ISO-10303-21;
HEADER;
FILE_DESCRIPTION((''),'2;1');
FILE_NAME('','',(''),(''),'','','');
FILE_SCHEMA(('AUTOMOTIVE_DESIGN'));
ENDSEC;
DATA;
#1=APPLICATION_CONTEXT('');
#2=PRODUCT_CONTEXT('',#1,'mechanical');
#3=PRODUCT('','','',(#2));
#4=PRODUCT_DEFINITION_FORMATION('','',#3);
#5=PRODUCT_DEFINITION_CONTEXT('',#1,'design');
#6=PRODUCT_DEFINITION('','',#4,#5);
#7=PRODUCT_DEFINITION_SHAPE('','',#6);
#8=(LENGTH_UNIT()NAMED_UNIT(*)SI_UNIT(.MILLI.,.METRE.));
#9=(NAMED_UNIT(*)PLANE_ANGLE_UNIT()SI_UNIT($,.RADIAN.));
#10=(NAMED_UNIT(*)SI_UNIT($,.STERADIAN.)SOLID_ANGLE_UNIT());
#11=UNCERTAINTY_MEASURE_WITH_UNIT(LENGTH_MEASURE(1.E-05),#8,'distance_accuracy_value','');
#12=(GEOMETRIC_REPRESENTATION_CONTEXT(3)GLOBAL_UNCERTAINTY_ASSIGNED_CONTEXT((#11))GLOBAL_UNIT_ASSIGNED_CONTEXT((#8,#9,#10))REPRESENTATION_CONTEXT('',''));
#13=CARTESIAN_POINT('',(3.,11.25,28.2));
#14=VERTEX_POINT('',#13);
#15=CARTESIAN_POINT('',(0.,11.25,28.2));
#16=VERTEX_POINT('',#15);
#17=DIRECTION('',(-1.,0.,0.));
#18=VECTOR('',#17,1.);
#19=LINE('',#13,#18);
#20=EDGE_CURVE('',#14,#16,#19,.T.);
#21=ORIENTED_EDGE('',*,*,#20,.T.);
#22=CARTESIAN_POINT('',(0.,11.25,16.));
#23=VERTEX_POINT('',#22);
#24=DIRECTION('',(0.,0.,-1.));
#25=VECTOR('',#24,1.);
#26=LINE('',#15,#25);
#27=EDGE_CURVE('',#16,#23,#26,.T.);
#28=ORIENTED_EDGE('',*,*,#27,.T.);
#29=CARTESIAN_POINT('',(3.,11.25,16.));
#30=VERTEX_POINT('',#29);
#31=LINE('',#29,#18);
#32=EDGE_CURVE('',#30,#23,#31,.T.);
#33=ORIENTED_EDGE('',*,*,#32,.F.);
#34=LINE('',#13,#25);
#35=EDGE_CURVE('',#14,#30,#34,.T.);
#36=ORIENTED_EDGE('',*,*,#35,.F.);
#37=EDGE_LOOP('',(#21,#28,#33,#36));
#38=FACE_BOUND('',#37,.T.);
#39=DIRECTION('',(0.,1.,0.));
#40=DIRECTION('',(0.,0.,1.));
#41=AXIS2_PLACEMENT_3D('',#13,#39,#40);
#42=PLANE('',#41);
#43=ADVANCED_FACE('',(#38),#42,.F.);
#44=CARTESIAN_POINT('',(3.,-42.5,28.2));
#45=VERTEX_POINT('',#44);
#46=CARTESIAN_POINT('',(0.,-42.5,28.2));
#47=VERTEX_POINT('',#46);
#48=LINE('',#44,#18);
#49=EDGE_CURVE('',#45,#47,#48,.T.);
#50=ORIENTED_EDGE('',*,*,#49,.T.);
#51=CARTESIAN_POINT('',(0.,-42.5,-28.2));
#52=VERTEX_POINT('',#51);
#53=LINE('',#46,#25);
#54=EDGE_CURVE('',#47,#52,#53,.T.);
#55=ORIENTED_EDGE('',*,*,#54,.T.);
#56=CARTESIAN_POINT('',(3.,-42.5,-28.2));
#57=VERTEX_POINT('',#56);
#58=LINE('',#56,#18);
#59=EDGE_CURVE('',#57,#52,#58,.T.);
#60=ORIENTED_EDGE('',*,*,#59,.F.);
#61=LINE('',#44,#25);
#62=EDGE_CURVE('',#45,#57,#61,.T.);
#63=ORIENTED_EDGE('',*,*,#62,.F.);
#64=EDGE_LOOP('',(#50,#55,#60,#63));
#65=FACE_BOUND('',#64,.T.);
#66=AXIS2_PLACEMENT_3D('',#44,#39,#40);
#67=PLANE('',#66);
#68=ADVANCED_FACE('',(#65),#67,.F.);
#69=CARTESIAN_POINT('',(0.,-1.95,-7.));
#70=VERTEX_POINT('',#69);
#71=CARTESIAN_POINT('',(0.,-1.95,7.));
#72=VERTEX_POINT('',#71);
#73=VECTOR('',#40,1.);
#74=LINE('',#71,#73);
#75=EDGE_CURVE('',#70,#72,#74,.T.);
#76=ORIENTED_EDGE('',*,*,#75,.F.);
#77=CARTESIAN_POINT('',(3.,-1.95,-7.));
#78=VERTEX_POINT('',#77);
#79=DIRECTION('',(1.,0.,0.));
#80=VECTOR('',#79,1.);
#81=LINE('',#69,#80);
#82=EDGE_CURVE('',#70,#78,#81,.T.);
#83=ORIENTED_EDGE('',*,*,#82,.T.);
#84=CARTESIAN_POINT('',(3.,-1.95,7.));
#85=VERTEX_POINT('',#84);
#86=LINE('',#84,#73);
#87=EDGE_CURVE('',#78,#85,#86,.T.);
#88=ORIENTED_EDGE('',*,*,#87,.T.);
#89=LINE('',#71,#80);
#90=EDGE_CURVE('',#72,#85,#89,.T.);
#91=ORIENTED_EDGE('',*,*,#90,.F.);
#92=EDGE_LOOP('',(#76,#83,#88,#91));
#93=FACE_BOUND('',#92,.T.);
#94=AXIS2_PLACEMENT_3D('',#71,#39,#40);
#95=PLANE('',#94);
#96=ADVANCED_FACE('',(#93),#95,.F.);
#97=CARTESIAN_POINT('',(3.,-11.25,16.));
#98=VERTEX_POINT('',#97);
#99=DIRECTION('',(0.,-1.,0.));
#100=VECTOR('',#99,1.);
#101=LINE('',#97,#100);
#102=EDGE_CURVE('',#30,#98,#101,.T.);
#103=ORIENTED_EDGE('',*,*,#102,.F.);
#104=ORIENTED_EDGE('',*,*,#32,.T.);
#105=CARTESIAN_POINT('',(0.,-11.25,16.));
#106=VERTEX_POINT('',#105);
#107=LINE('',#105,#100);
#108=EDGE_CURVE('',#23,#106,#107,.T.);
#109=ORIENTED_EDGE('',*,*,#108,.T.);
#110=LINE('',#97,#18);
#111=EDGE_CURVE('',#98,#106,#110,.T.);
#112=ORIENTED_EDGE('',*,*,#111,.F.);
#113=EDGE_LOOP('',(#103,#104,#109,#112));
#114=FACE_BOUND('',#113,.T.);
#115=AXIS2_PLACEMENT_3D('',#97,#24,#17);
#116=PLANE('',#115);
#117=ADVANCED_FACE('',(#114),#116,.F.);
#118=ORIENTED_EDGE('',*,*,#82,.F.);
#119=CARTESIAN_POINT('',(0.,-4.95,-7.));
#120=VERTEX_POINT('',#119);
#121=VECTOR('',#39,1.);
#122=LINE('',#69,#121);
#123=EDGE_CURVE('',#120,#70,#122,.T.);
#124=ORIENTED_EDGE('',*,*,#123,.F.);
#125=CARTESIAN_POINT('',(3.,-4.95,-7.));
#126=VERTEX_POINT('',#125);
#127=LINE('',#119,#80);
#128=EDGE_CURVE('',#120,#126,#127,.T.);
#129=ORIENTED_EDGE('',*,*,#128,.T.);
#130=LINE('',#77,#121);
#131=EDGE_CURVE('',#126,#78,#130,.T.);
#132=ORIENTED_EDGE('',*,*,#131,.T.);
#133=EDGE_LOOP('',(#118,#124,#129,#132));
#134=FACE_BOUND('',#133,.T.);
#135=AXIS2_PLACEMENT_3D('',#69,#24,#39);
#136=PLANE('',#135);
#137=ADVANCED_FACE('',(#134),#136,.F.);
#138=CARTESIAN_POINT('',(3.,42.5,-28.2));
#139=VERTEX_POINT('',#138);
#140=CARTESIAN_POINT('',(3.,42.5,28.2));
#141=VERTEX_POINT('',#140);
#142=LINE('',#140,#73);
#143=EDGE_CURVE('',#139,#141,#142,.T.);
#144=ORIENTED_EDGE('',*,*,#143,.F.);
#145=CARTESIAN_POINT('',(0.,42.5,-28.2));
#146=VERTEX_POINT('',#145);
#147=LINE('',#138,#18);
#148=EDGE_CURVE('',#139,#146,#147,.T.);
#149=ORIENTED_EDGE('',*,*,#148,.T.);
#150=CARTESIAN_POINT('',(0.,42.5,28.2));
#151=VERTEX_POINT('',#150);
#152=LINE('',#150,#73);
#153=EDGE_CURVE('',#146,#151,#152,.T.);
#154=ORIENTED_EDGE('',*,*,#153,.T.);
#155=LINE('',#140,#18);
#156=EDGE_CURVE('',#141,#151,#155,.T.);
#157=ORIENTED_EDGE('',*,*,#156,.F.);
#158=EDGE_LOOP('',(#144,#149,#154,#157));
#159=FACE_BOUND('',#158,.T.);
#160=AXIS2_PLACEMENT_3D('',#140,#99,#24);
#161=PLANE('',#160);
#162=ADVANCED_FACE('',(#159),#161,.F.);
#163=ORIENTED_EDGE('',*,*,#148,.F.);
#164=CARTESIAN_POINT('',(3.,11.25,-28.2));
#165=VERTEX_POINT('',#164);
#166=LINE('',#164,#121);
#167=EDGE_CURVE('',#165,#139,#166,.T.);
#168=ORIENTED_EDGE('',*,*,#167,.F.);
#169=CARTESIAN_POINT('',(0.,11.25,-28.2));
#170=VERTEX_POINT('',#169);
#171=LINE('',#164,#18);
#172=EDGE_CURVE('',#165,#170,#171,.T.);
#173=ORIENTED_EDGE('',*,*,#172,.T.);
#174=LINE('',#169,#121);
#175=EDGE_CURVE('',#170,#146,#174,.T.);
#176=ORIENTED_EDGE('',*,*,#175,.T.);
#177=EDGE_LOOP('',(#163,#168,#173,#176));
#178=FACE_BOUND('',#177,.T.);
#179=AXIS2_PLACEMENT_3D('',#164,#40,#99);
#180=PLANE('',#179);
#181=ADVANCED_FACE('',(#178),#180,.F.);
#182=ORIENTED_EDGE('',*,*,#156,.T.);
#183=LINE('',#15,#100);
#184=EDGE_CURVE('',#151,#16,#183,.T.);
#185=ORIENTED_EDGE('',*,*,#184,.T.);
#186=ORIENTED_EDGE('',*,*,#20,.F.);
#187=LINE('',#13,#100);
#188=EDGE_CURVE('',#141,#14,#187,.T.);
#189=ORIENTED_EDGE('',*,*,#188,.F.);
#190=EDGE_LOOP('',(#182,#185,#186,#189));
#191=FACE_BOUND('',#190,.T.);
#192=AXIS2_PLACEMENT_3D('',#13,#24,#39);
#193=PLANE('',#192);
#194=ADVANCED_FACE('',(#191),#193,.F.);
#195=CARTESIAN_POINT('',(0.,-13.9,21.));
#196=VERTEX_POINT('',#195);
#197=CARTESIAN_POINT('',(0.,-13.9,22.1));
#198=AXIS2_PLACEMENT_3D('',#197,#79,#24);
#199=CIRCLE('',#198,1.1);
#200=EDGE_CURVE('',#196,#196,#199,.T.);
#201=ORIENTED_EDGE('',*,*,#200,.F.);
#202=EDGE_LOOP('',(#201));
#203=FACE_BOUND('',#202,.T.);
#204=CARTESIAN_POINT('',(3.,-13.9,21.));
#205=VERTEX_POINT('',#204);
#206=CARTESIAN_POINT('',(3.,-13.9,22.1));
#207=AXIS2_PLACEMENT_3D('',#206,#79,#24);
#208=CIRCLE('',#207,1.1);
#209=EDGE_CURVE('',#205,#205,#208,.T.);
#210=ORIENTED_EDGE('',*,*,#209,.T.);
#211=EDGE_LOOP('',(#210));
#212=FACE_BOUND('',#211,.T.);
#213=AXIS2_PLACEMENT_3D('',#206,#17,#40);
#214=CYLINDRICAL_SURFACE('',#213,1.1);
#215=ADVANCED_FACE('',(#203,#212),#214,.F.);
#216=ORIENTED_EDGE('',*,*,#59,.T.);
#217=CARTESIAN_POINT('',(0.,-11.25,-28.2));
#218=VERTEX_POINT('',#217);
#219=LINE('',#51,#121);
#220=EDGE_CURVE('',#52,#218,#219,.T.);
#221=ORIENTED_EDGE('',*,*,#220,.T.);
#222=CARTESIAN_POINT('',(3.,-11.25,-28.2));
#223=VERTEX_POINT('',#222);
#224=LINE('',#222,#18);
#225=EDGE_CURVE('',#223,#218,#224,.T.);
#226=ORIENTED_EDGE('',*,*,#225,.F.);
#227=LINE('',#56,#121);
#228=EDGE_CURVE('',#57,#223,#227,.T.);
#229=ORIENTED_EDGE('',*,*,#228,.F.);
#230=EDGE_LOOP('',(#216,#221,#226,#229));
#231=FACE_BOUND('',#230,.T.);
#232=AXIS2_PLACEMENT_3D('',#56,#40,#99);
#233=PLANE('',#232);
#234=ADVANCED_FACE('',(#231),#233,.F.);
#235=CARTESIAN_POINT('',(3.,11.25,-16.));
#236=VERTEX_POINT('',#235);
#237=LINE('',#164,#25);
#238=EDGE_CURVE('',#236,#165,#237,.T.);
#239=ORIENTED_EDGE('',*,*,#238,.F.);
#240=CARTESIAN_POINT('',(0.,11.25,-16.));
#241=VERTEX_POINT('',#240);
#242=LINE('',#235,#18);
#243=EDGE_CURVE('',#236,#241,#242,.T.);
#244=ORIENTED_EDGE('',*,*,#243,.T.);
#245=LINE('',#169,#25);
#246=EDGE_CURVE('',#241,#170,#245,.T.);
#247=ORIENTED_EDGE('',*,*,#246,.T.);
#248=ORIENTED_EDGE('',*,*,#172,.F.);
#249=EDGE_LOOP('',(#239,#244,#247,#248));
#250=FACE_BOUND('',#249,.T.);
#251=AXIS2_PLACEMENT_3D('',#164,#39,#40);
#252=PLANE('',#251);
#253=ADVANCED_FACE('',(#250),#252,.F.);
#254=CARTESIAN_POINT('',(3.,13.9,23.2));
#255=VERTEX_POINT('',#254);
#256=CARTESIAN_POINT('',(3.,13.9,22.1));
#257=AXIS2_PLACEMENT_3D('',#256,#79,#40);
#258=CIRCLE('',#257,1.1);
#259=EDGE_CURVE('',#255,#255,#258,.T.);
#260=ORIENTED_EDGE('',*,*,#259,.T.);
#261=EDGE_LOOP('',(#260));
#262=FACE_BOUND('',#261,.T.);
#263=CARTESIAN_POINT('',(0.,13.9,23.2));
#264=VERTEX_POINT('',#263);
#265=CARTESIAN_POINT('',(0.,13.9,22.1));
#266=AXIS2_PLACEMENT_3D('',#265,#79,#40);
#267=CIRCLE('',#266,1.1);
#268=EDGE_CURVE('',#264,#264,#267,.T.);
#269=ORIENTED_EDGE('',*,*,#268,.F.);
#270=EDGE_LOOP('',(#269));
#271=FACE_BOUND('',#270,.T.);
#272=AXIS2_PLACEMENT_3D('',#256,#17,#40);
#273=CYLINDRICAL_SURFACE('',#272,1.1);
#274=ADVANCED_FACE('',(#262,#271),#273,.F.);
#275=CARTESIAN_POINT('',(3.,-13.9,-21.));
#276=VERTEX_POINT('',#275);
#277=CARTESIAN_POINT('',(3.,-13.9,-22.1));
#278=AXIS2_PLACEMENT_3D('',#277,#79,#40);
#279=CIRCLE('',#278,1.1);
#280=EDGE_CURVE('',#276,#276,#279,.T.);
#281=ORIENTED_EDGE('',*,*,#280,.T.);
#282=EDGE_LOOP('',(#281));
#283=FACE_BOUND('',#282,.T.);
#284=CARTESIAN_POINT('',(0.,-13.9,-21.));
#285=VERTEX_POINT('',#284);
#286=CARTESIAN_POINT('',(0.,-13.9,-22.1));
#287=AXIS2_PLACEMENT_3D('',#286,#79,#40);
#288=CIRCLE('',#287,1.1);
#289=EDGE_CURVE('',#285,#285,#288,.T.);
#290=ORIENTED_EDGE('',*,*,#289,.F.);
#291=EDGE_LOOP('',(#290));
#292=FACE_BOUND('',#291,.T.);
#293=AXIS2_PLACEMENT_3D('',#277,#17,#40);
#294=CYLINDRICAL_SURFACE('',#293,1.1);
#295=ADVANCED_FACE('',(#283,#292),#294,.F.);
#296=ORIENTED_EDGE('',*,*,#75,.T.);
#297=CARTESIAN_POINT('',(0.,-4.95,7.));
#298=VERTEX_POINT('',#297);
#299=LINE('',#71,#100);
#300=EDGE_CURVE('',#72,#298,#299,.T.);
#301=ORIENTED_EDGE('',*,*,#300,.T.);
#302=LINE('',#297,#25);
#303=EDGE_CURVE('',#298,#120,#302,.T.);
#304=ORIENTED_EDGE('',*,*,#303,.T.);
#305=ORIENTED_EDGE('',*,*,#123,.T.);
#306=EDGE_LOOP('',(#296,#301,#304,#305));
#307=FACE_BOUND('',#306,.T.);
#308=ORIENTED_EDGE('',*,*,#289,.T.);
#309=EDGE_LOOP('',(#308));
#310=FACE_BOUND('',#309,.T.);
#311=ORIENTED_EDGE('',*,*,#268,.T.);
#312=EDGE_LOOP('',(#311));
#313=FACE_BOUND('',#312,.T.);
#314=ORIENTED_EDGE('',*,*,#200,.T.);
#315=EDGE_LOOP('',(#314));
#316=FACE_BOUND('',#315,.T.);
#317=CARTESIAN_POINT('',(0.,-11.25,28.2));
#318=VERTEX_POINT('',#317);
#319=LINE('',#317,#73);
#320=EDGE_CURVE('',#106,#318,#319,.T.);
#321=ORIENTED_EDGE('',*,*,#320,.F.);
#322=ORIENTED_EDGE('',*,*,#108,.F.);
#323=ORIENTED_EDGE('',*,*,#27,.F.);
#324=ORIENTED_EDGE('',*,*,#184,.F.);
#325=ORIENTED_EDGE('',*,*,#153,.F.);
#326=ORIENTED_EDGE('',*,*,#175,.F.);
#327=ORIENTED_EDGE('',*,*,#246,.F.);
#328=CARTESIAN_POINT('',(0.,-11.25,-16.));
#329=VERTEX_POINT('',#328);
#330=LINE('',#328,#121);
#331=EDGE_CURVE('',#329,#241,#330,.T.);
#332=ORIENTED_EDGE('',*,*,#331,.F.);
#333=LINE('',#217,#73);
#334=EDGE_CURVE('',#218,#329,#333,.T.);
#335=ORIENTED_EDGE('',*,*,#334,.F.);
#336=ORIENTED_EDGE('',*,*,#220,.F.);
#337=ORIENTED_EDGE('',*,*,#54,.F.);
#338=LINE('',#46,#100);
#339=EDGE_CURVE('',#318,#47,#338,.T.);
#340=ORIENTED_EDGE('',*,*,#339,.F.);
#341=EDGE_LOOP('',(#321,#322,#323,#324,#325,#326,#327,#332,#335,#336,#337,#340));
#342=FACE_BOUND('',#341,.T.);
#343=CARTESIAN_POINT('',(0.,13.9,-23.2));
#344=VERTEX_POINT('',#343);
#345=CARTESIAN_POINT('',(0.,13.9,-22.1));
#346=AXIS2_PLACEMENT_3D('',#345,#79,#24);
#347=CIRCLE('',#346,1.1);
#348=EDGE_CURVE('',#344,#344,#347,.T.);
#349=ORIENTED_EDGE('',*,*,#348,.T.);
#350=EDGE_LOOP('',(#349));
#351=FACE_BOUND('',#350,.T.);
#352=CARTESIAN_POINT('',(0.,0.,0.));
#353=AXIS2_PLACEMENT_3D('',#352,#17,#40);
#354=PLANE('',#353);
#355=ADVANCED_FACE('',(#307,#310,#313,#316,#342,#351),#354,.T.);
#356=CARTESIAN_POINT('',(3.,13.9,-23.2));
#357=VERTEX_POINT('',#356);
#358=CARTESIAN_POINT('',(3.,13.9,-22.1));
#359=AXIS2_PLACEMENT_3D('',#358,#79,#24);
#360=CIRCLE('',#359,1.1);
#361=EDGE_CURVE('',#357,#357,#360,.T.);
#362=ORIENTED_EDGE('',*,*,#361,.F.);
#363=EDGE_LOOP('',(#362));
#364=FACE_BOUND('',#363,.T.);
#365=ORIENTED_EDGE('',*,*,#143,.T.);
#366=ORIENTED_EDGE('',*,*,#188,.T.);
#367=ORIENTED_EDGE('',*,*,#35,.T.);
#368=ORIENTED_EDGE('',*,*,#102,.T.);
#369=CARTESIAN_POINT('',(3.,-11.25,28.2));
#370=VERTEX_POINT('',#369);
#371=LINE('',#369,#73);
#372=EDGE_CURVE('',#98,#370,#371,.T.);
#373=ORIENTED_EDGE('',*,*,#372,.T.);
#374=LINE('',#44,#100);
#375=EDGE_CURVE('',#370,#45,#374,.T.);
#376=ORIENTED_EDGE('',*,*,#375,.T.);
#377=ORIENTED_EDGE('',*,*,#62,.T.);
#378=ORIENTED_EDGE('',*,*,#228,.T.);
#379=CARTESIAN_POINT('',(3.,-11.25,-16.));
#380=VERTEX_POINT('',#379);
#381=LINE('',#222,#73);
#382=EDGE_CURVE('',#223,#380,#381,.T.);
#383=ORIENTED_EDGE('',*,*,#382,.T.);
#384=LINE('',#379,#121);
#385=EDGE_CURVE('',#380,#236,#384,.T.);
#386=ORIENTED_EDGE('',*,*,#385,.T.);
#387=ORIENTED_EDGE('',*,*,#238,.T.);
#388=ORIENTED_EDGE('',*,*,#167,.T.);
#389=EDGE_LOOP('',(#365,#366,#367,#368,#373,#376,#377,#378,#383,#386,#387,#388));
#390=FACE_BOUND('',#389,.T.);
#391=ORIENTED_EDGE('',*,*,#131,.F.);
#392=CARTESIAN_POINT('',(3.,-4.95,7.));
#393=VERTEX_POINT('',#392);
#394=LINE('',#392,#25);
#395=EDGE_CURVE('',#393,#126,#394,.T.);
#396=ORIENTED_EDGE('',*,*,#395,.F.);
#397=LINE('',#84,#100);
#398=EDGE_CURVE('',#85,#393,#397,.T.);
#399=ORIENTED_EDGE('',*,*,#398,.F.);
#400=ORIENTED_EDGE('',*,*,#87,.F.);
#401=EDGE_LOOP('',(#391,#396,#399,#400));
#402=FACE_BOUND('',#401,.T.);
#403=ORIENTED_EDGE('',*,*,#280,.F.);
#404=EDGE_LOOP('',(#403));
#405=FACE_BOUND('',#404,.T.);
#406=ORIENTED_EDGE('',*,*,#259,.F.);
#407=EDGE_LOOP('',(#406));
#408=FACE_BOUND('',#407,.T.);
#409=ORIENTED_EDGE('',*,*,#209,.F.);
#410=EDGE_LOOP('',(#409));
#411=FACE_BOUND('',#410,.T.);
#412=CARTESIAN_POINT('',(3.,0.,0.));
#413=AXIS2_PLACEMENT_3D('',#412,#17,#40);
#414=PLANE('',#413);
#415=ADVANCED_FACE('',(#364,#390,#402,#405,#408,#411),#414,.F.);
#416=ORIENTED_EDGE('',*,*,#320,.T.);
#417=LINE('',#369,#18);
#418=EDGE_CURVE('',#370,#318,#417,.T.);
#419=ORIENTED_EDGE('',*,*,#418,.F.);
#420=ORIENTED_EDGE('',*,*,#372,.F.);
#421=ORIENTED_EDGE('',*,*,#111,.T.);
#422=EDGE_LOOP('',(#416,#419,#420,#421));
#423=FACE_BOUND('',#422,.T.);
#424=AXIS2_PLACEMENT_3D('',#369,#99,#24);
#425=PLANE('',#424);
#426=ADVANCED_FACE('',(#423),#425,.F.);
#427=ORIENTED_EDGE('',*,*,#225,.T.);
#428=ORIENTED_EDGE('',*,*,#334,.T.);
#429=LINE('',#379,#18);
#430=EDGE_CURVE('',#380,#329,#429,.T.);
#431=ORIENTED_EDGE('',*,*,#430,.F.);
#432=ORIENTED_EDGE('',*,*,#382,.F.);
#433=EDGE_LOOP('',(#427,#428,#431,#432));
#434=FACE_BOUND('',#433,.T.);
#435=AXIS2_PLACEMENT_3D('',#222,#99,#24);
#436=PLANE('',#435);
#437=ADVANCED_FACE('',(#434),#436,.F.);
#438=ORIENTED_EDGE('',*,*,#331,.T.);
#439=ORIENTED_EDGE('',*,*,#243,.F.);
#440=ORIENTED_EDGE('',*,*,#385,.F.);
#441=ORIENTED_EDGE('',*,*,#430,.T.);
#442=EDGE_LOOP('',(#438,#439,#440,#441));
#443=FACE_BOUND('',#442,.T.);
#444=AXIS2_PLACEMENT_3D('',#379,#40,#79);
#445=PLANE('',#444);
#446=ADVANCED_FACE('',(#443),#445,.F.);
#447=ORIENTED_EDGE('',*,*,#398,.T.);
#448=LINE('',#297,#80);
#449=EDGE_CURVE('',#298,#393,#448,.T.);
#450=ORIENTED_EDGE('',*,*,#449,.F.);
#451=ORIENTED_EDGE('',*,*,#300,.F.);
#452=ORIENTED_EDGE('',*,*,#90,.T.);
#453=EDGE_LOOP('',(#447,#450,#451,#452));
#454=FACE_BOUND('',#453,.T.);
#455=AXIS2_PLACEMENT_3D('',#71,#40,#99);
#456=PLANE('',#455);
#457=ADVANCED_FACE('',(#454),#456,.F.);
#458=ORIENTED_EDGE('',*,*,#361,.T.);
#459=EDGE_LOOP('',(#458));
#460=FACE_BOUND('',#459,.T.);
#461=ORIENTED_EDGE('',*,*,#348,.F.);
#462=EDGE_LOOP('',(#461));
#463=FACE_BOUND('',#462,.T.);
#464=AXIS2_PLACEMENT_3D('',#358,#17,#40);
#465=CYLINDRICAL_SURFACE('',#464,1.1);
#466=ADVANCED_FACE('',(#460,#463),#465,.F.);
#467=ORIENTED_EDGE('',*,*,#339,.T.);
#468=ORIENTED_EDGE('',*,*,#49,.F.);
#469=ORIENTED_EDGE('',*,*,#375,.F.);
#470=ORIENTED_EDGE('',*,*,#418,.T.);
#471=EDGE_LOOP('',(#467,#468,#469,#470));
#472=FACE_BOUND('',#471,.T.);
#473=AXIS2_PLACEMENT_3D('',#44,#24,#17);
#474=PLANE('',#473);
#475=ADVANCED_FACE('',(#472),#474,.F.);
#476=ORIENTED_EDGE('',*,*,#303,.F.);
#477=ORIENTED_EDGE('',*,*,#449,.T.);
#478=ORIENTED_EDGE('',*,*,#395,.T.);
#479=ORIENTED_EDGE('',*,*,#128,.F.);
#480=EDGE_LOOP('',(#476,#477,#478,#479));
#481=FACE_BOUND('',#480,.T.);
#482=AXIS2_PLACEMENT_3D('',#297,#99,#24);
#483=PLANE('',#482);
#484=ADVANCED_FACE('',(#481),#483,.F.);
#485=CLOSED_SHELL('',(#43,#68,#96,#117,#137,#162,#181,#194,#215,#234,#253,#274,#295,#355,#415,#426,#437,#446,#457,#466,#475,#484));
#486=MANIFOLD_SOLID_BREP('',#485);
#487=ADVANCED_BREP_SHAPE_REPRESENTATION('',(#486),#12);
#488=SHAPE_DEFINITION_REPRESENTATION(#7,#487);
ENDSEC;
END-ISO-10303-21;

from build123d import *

# Parameters (mm, degrees)
SKETCH1_R           = 1.1
BOSS_EXTRUDE1_DEPTH = 3
SKETCH2_W           = 14
SKETCH2_H           = 3
CUT_EXTRUDE1_DEPTH  = 3


with BuildPart() as part:
    # Sketch1 → Boss-Extrude1 (new body)
    with BuildSketch(Plane(origin=(0, 0, 0), x_dir=(0, 0, -1), z_dir=(1, 0, 0))):
        Polygon((-28.2, -42.5), (28.2, -42.5), (28.2, -11.25), (16, -11.25), (16, 11.25), (28.2, 11.25), (28.2, 42.5), (-28.2, 42.5), (-28.2, 11.25), (-16, 11.25), (-16, -11.25), (-28.2, -11.25), align=None)
        with Locations((22.1, 13.9)):
            Circle(SKETCH1_R, mode=Mode.SUBTRACT)
        with Locations((22.1, -13.9)):
            Circle(SKETCH1_R, mode=Mode.SUBTRACT)
        with Locations((-22.1, -13.9)):
            Circle(SKETCH1_R, mode=Mode.SUBTRACT)
        with Locations((-22.1, 13.9)):
            Circle(SKETCH1_R, mode=Mode.SUBTRACT)
    extrude(amount=BOSS_EXTRUDE1_DEPTH)

    # Sketch2 → Cut-Extrude1 (cut)
    with BuildSketch(Plane(origin=(3, 0, 0), x_dir=(0, 0, -1), z_dir=(1, 0, 0))):
        with Locations((0, -3.45)):
            Rectangle(SKETCH2_W, SKETCH2_H)
    extrude(amount=-CUT_EXTRUDE1_DEPTH, mode=Mode.SUBTRACT)


solid = part.part
